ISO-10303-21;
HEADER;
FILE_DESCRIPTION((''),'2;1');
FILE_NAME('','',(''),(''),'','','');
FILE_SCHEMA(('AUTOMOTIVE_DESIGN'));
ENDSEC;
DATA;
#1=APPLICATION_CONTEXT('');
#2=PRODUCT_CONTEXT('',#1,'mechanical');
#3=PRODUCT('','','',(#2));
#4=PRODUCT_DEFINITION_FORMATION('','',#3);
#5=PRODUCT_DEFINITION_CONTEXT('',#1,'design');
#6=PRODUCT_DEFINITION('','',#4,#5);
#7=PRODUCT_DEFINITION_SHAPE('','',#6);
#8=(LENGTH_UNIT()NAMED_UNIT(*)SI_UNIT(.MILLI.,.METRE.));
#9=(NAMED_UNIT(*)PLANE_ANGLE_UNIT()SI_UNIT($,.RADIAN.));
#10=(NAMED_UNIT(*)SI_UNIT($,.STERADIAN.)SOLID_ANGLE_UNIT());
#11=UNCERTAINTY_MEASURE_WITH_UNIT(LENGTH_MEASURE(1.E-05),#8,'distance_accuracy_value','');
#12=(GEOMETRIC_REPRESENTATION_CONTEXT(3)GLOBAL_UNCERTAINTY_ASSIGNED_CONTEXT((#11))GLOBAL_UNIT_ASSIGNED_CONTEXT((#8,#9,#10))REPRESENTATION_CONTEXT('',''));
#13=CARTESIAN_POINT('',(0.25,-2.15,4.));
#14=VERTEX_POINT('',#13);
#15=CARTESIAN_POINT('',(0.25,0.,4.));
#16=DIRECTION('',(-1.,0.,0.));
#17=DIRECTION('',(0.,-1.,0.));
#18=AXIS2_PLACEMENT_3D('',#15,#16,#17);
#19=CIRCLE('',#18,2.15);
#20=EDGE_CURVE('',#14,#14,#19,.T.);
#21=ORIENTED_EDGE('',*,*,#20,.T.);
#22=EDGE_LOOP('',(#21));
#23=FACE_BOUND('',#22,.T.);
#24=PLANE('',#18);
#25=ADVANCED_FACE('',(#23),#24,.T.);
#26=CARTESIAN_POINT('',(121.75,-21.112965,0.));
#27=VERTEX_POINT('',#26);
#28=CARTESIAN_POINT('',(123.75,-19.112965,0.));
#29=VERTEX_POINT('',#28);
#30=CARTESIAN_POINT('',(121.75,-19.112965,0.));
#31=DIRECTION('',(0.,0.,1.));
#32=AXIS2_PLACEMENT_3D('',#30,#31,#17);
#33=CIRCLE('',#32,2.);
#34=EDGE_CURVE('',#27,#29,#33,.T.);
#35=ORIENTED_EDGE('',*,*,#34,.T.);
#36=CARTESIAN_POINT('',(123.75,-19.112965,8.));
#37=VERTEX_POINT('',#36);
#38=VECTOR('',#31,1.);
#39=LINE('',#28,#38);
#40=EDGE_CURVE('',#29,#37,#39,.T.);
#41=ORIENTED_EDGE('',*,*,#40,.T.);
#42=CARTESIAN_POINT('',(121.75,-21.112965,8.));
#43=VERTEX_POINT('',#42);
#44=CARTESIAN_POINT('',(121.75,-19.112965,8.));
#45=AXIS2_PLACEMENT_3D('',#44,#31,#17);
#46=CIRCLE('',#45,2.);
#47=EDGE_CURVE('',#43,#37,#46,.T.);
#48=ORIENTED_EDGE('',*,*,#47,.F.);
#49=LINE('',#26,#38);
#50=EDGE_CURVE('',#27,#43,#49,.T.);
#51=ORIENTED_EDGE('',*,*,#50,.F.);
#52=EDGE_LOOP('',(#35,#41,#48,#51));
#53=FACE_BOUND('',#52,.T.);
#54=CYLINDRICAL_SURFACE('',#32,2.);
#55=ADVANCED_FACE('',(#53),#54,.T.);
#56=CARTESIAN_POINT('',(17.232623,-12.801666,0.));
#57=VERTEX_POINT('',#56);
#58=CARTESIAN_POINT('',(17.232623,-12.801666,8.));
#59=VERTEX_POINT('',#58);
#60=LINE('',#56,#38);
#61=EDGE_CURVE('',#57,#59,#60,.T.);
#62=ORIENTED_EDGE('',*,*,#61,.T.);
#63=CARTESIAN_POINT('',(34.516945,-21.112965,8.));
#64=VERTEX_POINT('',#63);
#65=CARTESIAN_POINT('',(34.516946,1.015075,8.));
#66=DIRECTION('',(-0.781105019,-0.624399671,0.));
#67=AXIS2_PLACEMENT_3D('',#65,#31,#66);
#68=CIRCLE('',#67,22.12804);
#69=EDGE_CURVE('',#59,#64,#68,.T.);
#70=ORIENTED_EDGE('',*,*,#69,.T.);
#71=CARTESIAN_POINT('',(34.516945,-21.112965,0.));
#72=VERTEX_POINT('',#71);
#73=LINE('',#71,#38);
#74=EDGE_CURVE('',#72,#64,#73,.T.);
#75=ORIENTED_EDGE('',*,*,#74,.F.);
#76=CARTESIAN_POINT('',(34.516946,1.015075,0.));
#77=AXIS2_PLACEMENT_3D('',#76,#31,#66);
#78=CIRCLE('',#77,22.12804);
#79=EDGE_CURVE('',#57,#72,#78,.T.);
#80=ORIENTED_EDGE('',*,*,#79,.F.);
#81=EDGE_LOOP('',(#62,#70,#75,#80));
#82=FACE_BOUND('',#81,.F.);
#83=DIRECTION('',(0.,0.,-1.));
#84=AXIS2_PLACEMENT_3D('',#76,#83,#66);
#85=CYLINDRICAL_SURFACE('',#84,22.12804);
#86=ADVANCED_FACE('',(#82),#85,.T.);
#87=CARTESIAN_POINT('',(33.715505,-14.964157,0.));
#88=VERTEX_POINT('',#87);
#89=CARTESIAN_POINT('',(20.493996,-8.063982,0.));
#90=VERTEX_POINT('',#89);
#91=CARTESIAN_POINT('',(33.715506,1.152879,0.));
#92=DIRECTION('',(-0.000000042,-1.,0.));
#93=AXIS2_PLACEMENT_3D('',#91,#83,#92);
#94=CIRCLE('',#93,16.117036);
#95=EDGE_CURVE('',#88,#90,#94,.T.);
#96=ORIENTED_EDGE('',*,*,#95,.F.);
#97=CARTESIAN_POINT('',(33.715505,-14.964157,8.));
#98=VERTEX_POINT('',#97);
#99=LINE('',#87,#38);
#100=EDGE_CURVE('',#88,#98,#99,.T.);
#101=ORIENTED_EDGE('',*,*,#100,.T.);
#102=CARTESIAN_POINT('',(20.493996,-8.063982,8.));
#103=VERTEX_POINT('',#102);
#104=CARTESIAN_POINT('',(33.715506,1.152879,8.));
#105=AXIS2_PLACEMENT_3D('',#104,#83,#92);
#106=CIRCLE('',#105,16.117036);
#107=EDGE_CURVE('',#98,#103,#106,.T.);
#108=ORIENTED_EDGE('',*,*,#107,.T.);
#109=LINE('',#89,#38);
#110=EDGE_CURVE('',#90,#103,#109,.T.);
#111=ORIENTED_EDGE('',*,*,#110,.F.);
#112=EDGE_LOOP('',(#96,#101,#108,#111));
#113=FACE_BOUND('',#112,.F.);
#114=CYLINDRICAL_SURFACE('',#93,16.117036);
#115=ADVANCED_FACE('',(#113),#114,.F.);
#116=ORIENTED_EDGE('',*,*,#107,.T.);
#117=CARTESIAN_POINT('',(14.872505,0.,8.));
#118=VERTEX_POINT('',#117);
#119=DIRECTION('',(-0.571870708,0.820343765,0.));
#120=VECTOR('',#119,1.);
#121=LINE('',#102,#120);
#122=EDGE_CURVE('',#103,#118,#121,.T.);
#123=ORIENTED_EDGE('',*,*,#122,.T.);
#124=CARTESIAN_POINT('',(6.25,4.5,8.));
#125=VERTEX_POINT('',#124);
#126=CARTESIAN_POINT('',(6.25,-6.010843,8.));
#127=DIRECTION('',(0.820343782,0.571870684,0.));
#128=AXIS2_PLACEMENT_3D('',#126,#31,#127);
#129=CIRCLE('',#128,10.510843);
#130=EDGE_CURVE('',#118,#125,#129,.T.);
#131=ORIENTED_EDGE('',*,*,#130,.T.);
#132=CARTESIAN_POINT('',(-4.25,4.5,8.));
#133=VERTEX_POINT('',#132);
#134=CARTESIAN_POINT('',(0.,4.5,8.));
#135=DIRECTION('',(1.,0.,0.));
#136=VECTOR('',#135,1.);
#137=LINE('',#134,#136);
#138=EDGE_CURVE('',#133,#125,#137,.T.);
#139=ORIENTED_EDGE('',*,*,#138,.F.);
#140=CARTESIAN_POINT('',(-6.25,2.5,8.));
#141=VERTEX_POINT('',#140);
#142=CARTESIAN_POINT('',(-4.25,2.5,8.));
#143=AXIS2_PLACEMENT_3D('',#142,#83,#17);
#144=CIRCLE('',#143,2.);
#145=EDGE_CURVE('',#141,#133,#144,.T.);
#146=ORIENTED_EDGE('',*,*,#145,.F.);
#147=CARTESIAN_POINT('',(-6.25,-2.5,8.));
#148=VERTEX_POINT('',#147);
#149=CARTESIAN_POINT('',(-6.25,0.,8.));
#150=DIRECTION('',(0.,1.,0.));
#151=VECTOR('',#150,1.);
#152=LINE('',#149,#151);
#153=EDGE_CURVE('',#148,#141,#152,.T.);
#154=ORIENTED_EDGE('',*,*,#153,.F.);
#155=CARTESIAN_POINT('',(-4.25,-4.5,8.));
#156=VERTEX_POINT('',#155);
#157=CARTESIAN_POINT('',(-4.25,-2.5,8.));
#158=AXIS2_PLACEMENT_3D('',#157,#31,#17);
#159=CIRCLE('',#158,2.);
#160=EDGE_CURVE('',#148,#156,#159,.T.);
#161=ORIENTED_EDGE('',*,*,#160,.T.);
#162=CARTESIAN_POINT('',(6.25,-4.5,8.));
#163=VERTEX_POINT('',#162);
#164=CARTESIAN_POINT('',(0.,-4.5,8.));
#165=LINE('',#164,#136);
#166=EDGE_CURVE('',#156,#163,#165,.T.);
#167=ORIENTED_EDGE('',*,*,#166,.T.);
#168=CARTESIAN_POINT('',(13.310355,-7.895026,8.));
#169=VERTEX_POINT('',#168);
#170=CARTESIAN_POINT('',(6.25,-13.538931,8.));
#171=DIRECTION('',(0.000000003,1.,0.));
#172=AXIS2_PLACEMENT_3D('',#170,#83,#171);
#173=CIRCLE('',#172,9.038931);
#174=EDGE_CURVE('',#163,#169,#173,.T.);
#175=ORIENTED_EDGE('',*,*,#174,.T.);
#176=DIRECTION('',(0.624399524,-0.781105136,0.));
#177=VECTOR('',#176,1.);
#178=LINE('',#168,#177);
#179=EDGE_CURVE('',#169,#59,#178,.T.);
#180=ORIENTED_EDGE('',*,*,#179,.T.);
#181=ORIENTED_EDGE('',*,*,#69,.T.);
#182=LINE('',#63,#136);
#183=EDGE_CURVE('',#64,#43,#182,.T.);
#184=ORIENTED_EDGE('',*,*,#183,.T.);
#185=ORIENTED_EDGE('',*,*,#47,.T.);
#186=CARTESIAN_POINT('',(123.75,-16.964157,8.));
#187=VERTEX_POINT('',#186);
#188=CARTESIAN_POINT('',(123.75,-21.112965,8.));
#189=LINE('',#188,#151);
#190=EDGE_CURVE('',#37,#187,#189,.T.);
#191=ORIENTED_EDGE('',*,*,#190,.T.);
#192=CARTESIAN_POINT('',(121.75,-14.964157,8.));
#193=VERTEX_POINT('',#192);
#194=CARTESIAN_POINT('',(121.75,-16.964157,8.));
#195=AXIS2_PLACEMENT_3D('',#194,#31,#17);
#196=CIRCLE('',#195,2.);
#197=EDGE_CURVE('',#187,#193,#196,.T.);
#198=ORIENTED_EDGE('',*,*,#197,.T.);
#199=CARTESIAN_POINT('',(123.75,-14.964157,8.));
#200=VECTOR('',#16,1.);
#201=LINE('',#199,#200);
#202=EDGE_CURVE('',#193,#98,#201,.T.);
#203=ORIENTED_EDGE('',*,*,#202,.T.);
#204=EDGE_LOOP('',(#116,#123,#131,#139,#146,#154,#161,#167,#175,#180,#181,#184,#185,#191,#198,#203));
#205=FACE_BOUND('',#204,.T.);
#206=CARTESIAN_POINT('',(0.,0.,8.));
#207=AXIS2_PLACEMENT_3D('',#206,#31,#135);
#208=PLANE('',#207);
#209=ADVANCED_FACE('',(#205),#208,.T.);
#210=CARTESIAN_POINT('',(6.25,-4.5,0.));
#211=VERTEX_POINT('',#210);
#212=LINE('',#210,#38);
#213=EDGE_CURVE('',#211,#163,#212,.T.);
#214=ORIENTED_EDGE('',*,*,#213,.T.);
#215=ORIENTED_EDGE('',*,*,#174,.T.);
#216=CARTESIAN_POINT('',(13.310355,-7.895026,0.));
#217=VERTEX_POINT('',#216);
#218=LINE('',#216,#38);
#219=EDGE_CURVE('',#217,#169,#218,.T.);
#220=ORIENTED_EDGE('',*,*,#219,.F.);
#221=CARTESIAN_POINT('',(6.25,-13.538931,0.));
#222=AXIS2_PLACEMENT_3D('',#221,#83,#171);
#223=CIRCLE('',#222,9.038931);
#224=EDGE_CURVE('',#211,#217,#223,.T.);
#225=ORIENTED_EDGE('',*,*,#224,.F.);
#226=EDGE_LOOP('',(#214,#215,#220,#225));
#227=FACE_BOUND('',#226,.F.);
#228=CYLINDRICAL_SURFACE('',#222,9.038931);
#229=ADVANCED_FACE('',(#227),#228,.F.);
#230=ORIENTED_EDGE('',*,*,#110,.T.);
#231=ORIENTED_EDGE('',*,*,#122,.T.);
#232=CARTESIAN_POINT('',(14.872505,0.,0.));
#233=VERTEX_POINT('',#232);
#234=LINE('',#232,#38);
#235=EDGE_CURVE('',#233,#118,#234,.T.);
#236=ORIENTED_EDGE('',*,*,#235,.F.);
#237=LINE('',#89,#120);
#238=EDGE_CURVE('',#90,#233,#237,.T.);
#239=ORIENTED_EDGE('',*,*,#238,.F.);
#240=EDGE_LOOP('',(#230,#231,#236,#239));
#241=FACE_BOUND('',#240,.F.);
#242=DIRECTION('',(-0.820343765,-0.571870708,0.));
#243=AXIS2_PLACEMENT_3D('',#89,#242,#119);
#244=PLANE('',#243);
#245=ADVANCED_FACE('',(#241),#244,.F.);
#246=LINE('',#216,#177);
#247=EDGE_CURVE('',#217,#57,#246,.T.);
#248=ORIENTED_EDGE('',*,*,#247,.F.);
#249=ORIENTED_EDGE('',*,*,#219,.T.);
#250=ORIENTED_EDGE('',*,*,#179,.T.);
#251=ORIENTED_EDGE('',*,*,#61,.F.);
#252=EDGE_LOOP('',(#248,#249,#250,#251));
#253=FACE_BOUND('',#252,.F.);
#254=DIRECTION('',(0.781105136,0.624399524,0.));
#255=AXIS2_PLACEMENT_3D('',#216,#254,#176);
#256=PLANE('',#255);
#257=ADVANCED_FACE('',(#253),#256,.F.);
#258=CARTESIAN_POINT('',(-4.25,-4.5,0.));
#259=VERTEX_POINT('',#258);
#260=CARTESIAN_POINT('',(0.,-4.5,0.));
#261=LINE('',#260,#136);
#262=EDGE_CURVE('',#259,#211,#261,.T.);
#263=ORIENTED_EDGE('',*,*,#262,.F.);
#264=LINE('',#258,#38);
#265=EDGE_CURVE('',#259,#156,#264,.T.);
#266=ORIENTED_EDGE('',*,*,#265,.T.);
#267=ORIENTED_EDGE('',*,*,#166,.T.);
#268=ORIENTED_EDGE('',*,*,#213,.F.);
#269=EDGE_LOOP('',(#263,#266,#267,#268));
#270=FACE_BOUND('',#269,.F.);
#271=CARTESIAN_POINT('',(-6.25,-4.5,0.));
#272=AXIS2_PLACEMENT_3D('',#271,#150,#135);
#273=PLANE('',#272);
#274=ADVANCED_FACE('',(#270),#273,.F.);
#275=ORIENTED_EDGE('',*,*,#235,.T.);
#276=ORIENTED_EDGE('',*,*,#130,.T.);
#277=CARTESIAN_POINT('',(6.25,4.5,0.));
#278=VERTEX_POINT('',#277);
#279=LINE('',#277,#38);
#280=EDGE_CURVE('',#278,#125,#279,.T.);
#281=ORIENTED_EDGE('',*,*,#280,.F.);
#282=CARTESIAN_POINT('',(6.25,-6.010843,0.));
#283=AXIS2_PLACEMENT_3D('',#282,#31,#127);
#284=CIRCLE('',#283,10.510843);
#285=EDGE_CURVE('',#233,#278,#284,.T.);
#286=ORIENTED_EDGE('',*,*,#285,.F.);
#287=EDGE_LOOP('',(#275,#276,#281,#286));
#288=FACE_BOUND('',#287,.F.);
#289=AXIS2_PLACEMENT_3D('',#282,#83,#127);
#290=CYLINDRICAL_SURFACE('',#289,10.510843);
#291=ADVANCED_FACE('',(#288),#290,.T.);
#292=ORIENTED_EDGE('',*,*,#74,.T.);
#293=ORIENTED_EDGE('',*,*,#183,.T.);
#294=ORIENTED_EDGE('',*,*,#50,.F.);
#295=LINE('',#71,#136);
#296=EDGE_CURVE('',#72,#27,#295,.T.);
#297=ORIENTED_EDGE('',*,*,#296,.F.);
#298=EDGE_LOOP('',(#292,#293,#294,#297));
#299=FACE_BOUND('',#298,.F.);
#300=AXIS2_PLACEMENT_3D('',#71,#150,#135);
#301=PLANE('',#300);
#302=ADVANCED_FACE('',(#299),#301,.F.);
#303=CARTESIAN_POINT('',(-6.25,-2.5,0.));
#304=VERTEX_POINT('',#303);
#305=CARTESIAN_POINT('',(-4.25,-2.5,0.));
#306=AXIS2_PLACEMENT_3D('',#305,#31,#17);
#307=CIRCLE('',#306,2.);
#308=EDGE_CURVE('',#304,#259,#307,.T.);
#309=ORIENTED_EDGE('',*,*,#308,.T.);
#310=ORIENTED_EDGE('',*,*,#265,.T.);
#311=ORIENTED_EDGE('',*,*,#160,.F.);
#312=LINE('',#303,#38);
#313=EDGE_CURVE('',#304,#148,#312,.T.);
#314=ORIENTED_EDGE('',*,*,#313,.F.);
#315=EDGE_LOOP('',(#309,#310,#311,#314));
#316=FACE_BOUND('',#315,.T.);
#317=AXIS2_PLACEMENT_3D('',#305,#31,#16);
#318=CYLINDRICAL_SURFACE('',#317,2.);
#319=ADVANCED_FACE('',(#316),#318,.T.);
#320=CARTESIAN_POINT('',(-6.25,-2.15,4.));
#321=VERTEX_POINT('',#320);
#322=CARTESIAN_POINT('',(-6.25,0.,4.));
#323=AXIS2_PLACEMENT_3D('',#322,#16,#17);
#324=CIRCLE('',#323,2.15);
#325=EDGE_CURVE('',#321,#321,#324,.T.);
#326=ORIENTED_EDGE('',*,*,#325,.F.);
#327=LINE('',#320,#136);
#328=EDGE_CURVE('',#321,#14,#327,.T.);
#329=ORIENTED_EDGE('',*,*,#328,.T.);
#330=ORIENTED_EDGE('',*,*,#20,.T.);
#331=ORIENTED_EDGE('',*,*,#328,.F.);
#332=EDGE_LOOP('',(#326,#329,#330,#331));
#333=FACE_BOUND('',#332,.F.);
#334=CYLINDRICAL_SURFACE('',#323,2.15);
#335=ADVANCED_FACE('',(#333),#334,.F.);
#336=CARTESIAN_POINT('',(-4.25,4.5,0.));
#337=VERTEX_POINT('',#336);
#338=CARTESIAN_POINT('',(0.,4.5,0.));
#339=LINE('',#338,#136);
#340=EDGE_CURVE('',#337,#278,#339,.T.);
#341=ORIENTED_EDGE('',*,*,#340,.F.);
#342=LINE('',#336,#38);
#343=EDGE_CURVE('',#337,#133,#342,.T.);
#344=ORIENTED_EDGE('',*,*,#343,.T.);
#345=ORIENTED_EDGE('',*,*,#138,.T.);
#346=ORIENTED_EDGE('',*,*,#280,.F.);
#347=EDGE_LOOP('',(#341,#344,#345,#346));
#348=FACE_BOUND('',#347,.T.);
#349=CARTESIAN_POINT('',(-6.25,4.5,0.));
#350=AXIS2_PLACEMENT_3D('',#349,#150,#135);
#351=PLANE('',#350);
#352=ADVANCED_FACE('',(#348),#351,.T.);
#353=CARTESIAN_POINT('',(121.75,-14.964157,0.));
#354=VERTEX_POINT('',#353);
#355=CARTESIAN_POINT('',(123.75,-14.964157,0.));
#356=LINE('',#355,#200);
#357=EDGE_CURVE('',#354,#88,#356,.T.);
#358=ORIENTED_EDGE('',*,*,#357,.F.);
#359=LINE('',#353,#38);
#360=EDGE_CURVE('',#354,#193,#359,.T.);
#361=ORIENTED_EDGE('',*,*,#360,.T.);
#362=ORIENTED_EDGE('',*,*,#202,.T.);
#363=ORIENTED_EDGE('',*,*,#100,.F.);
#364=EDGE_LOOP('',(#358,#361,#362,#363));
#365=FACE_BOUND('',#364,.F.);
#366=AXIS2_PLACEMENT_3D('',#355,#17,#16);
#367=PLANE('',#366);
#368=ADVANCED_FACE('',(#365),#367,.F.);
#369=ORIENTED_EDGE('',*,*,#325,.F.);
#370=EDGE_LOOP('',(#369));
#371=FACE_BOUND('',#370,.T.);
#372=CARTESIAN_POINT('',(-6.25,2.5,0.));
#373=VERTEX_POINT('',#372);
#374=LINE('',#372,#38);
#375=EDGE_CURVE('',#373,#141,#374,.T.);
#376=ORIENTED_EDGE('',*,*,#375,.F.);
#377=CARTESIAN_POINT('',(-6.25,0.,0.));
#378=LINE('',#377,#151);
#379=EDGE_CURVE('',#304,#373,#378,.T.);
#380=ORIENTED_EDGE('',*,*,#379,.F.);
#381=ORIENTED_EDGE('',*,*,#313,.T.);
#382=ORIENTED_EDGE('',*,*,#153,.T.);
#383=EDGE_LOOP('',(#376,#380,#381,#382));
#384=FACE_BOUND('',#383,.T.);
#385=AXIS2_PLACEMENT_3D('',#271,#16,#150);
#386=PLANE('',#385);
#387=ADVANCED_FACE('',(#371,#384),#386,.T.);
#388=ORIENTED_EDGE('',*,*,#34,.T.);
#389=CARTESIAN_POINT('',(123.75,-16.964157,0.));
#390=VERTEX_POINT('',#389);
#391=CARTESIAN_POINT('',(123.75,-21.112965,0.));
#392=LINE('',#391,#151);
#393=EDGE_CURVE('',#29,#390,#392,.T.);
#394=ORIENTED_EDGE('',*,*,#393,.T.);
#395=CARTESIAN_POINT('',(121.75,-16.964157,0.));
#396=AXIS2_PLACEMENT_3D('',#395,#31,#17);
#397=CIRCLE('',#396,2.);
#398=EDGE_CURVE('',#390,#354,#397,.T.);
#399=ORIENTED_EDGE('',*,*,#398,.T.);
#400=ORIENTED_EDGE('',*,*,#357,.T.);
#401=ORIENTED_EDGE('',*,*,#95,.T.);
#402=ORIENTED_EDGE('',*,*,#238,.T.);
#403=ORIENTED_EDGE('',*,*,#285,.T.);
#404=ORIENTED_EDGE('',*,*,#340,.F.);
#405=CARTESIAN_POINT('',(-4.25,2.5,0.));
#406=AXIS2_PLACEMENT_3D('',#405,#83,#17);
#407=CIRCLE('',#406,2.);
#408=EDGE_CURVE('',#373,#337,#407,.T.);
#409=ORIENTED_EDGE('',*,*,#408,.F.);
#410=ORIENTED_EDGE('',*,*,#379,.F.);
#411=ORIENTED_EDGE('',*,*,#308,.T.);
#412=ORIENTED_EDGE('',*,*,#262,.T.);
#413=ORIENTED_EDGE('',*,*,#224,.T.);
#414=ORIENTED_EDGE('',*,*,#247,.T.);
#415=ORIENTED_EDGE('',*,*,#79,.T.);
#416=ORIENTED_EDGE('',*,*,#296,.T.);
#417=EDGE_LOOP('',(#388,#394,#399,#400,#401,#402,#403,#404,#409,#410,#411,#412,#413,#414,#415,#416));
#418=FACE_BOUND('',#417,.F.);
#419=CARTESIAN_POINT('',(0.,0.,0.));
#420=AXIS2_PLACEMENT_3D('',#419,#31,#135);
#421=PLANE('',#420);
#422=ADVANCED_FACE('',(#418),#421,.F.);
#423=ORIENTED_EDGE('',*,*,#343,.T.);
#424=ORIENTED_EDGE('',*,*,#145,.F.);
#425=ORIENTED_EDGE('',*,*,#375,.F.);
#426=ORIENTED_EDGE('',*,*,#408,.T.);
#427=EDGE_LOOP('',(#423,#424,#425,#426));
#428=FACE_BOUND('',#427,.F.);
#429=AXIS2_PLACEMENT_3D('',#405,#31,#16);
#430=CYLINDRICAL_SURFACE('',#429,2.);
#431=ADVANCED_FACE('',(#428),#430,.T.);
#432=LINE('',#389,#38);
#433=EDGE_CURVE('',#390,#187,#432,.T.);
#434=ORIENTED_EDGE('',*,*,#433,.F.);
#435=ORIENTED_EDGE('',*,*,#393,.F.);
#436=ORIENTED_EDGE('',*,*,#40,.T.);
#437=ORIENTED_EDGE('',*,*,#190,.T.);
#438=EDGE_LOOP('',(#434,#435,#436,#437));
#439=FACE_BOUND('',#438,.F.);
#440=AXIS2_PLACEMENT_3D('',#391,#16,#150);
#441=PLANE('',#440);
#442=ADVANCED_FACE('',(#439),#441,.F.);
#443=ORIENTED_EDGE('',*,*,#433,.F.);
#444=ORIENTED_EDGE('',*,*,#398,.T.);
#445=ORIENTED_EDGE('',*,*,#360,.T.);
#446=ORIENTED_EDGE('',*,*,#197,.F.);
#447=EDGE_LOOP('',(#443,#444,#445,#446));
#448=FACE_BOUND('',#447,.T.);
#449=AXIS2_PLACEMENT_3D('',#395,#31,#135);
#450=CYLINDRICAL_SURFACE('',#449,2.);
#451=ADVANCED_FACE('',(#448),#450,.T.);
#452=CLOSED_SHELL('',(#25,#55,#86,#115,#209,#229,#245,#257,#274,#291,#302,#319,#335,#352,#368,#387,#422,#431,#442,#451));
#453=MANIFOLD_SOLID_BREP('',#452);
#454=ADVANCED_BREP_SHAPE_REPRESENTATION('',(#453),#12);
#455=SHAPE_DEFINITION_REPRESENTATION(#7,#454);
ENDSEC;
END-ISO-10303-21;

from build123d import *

# Parameters (mm, degrees)
F0_W     = 12.5
F0_H     = 9
F1_DEPTH = 8
F2_R     = 2.15
F3_DEPTH = 6.5
F4_R     = 2


with BuildPart() as f1:
    # F0 (on Top) → F1 (new body)
    with BuildSketch(Plane.XY):
        Rectangle(F0_W, F0_H)
        with BuildLine():
            ThreePointArc((14.872505, 0), (11.113065, 3.307334), (6.25, 4.5))
            Line((6.25, 4.5), (6.25, -4.5))
            ThreePointArc((6.25, -4.5), (10.167104, -5.392854), (13.310355, -7.895026))
            Line((13.310355, -7.895026), (17.232623, -12.801666))
            ThreePointArc((17.232623, -12.801666), (24.927557, -18.927186), (34.516945, -21.112965))
            Line((34.516945, -21.112965), (123.75, -21.112965))
            Line((123.75, -21.112965), (123.75, -14.964157))
            Line((123.75, -14.964157), (33.715505, -14.964157))
            ThreePointArc((33.715505, -14.964157), (26.258617, -13.135356), (20.493996, -8.063982))
            Line((20.493996, -8.063982), (14.872505, 0))
        make_face()
    extrude(amount=F1_DEPTH)

    # F2 (on face) → F3 (cut)
    with BuildSketch(Plane(origin=(-6.25, 0, 0), x_dir=(0, -1, 0), z_dir=(-1, 0, 0))):
        with Locations((0, 4)):
            Circle(F2_R)
    extrude(amount=-F3_DEPTH, mode=Mode.SUBTRACT)

    # F4
    f4_edges = [f1.edges().sort_by_distance(p)[0] for p in [
        (-6.25, -4.5, 4),
        (123.75, -21.112965, 4),
        (123.75, -14.964157, 4),
        (-6.25, 4.5, 4),
    ]]
    fillet(f4_edges, radius=F4_R)


solid = f1.part
